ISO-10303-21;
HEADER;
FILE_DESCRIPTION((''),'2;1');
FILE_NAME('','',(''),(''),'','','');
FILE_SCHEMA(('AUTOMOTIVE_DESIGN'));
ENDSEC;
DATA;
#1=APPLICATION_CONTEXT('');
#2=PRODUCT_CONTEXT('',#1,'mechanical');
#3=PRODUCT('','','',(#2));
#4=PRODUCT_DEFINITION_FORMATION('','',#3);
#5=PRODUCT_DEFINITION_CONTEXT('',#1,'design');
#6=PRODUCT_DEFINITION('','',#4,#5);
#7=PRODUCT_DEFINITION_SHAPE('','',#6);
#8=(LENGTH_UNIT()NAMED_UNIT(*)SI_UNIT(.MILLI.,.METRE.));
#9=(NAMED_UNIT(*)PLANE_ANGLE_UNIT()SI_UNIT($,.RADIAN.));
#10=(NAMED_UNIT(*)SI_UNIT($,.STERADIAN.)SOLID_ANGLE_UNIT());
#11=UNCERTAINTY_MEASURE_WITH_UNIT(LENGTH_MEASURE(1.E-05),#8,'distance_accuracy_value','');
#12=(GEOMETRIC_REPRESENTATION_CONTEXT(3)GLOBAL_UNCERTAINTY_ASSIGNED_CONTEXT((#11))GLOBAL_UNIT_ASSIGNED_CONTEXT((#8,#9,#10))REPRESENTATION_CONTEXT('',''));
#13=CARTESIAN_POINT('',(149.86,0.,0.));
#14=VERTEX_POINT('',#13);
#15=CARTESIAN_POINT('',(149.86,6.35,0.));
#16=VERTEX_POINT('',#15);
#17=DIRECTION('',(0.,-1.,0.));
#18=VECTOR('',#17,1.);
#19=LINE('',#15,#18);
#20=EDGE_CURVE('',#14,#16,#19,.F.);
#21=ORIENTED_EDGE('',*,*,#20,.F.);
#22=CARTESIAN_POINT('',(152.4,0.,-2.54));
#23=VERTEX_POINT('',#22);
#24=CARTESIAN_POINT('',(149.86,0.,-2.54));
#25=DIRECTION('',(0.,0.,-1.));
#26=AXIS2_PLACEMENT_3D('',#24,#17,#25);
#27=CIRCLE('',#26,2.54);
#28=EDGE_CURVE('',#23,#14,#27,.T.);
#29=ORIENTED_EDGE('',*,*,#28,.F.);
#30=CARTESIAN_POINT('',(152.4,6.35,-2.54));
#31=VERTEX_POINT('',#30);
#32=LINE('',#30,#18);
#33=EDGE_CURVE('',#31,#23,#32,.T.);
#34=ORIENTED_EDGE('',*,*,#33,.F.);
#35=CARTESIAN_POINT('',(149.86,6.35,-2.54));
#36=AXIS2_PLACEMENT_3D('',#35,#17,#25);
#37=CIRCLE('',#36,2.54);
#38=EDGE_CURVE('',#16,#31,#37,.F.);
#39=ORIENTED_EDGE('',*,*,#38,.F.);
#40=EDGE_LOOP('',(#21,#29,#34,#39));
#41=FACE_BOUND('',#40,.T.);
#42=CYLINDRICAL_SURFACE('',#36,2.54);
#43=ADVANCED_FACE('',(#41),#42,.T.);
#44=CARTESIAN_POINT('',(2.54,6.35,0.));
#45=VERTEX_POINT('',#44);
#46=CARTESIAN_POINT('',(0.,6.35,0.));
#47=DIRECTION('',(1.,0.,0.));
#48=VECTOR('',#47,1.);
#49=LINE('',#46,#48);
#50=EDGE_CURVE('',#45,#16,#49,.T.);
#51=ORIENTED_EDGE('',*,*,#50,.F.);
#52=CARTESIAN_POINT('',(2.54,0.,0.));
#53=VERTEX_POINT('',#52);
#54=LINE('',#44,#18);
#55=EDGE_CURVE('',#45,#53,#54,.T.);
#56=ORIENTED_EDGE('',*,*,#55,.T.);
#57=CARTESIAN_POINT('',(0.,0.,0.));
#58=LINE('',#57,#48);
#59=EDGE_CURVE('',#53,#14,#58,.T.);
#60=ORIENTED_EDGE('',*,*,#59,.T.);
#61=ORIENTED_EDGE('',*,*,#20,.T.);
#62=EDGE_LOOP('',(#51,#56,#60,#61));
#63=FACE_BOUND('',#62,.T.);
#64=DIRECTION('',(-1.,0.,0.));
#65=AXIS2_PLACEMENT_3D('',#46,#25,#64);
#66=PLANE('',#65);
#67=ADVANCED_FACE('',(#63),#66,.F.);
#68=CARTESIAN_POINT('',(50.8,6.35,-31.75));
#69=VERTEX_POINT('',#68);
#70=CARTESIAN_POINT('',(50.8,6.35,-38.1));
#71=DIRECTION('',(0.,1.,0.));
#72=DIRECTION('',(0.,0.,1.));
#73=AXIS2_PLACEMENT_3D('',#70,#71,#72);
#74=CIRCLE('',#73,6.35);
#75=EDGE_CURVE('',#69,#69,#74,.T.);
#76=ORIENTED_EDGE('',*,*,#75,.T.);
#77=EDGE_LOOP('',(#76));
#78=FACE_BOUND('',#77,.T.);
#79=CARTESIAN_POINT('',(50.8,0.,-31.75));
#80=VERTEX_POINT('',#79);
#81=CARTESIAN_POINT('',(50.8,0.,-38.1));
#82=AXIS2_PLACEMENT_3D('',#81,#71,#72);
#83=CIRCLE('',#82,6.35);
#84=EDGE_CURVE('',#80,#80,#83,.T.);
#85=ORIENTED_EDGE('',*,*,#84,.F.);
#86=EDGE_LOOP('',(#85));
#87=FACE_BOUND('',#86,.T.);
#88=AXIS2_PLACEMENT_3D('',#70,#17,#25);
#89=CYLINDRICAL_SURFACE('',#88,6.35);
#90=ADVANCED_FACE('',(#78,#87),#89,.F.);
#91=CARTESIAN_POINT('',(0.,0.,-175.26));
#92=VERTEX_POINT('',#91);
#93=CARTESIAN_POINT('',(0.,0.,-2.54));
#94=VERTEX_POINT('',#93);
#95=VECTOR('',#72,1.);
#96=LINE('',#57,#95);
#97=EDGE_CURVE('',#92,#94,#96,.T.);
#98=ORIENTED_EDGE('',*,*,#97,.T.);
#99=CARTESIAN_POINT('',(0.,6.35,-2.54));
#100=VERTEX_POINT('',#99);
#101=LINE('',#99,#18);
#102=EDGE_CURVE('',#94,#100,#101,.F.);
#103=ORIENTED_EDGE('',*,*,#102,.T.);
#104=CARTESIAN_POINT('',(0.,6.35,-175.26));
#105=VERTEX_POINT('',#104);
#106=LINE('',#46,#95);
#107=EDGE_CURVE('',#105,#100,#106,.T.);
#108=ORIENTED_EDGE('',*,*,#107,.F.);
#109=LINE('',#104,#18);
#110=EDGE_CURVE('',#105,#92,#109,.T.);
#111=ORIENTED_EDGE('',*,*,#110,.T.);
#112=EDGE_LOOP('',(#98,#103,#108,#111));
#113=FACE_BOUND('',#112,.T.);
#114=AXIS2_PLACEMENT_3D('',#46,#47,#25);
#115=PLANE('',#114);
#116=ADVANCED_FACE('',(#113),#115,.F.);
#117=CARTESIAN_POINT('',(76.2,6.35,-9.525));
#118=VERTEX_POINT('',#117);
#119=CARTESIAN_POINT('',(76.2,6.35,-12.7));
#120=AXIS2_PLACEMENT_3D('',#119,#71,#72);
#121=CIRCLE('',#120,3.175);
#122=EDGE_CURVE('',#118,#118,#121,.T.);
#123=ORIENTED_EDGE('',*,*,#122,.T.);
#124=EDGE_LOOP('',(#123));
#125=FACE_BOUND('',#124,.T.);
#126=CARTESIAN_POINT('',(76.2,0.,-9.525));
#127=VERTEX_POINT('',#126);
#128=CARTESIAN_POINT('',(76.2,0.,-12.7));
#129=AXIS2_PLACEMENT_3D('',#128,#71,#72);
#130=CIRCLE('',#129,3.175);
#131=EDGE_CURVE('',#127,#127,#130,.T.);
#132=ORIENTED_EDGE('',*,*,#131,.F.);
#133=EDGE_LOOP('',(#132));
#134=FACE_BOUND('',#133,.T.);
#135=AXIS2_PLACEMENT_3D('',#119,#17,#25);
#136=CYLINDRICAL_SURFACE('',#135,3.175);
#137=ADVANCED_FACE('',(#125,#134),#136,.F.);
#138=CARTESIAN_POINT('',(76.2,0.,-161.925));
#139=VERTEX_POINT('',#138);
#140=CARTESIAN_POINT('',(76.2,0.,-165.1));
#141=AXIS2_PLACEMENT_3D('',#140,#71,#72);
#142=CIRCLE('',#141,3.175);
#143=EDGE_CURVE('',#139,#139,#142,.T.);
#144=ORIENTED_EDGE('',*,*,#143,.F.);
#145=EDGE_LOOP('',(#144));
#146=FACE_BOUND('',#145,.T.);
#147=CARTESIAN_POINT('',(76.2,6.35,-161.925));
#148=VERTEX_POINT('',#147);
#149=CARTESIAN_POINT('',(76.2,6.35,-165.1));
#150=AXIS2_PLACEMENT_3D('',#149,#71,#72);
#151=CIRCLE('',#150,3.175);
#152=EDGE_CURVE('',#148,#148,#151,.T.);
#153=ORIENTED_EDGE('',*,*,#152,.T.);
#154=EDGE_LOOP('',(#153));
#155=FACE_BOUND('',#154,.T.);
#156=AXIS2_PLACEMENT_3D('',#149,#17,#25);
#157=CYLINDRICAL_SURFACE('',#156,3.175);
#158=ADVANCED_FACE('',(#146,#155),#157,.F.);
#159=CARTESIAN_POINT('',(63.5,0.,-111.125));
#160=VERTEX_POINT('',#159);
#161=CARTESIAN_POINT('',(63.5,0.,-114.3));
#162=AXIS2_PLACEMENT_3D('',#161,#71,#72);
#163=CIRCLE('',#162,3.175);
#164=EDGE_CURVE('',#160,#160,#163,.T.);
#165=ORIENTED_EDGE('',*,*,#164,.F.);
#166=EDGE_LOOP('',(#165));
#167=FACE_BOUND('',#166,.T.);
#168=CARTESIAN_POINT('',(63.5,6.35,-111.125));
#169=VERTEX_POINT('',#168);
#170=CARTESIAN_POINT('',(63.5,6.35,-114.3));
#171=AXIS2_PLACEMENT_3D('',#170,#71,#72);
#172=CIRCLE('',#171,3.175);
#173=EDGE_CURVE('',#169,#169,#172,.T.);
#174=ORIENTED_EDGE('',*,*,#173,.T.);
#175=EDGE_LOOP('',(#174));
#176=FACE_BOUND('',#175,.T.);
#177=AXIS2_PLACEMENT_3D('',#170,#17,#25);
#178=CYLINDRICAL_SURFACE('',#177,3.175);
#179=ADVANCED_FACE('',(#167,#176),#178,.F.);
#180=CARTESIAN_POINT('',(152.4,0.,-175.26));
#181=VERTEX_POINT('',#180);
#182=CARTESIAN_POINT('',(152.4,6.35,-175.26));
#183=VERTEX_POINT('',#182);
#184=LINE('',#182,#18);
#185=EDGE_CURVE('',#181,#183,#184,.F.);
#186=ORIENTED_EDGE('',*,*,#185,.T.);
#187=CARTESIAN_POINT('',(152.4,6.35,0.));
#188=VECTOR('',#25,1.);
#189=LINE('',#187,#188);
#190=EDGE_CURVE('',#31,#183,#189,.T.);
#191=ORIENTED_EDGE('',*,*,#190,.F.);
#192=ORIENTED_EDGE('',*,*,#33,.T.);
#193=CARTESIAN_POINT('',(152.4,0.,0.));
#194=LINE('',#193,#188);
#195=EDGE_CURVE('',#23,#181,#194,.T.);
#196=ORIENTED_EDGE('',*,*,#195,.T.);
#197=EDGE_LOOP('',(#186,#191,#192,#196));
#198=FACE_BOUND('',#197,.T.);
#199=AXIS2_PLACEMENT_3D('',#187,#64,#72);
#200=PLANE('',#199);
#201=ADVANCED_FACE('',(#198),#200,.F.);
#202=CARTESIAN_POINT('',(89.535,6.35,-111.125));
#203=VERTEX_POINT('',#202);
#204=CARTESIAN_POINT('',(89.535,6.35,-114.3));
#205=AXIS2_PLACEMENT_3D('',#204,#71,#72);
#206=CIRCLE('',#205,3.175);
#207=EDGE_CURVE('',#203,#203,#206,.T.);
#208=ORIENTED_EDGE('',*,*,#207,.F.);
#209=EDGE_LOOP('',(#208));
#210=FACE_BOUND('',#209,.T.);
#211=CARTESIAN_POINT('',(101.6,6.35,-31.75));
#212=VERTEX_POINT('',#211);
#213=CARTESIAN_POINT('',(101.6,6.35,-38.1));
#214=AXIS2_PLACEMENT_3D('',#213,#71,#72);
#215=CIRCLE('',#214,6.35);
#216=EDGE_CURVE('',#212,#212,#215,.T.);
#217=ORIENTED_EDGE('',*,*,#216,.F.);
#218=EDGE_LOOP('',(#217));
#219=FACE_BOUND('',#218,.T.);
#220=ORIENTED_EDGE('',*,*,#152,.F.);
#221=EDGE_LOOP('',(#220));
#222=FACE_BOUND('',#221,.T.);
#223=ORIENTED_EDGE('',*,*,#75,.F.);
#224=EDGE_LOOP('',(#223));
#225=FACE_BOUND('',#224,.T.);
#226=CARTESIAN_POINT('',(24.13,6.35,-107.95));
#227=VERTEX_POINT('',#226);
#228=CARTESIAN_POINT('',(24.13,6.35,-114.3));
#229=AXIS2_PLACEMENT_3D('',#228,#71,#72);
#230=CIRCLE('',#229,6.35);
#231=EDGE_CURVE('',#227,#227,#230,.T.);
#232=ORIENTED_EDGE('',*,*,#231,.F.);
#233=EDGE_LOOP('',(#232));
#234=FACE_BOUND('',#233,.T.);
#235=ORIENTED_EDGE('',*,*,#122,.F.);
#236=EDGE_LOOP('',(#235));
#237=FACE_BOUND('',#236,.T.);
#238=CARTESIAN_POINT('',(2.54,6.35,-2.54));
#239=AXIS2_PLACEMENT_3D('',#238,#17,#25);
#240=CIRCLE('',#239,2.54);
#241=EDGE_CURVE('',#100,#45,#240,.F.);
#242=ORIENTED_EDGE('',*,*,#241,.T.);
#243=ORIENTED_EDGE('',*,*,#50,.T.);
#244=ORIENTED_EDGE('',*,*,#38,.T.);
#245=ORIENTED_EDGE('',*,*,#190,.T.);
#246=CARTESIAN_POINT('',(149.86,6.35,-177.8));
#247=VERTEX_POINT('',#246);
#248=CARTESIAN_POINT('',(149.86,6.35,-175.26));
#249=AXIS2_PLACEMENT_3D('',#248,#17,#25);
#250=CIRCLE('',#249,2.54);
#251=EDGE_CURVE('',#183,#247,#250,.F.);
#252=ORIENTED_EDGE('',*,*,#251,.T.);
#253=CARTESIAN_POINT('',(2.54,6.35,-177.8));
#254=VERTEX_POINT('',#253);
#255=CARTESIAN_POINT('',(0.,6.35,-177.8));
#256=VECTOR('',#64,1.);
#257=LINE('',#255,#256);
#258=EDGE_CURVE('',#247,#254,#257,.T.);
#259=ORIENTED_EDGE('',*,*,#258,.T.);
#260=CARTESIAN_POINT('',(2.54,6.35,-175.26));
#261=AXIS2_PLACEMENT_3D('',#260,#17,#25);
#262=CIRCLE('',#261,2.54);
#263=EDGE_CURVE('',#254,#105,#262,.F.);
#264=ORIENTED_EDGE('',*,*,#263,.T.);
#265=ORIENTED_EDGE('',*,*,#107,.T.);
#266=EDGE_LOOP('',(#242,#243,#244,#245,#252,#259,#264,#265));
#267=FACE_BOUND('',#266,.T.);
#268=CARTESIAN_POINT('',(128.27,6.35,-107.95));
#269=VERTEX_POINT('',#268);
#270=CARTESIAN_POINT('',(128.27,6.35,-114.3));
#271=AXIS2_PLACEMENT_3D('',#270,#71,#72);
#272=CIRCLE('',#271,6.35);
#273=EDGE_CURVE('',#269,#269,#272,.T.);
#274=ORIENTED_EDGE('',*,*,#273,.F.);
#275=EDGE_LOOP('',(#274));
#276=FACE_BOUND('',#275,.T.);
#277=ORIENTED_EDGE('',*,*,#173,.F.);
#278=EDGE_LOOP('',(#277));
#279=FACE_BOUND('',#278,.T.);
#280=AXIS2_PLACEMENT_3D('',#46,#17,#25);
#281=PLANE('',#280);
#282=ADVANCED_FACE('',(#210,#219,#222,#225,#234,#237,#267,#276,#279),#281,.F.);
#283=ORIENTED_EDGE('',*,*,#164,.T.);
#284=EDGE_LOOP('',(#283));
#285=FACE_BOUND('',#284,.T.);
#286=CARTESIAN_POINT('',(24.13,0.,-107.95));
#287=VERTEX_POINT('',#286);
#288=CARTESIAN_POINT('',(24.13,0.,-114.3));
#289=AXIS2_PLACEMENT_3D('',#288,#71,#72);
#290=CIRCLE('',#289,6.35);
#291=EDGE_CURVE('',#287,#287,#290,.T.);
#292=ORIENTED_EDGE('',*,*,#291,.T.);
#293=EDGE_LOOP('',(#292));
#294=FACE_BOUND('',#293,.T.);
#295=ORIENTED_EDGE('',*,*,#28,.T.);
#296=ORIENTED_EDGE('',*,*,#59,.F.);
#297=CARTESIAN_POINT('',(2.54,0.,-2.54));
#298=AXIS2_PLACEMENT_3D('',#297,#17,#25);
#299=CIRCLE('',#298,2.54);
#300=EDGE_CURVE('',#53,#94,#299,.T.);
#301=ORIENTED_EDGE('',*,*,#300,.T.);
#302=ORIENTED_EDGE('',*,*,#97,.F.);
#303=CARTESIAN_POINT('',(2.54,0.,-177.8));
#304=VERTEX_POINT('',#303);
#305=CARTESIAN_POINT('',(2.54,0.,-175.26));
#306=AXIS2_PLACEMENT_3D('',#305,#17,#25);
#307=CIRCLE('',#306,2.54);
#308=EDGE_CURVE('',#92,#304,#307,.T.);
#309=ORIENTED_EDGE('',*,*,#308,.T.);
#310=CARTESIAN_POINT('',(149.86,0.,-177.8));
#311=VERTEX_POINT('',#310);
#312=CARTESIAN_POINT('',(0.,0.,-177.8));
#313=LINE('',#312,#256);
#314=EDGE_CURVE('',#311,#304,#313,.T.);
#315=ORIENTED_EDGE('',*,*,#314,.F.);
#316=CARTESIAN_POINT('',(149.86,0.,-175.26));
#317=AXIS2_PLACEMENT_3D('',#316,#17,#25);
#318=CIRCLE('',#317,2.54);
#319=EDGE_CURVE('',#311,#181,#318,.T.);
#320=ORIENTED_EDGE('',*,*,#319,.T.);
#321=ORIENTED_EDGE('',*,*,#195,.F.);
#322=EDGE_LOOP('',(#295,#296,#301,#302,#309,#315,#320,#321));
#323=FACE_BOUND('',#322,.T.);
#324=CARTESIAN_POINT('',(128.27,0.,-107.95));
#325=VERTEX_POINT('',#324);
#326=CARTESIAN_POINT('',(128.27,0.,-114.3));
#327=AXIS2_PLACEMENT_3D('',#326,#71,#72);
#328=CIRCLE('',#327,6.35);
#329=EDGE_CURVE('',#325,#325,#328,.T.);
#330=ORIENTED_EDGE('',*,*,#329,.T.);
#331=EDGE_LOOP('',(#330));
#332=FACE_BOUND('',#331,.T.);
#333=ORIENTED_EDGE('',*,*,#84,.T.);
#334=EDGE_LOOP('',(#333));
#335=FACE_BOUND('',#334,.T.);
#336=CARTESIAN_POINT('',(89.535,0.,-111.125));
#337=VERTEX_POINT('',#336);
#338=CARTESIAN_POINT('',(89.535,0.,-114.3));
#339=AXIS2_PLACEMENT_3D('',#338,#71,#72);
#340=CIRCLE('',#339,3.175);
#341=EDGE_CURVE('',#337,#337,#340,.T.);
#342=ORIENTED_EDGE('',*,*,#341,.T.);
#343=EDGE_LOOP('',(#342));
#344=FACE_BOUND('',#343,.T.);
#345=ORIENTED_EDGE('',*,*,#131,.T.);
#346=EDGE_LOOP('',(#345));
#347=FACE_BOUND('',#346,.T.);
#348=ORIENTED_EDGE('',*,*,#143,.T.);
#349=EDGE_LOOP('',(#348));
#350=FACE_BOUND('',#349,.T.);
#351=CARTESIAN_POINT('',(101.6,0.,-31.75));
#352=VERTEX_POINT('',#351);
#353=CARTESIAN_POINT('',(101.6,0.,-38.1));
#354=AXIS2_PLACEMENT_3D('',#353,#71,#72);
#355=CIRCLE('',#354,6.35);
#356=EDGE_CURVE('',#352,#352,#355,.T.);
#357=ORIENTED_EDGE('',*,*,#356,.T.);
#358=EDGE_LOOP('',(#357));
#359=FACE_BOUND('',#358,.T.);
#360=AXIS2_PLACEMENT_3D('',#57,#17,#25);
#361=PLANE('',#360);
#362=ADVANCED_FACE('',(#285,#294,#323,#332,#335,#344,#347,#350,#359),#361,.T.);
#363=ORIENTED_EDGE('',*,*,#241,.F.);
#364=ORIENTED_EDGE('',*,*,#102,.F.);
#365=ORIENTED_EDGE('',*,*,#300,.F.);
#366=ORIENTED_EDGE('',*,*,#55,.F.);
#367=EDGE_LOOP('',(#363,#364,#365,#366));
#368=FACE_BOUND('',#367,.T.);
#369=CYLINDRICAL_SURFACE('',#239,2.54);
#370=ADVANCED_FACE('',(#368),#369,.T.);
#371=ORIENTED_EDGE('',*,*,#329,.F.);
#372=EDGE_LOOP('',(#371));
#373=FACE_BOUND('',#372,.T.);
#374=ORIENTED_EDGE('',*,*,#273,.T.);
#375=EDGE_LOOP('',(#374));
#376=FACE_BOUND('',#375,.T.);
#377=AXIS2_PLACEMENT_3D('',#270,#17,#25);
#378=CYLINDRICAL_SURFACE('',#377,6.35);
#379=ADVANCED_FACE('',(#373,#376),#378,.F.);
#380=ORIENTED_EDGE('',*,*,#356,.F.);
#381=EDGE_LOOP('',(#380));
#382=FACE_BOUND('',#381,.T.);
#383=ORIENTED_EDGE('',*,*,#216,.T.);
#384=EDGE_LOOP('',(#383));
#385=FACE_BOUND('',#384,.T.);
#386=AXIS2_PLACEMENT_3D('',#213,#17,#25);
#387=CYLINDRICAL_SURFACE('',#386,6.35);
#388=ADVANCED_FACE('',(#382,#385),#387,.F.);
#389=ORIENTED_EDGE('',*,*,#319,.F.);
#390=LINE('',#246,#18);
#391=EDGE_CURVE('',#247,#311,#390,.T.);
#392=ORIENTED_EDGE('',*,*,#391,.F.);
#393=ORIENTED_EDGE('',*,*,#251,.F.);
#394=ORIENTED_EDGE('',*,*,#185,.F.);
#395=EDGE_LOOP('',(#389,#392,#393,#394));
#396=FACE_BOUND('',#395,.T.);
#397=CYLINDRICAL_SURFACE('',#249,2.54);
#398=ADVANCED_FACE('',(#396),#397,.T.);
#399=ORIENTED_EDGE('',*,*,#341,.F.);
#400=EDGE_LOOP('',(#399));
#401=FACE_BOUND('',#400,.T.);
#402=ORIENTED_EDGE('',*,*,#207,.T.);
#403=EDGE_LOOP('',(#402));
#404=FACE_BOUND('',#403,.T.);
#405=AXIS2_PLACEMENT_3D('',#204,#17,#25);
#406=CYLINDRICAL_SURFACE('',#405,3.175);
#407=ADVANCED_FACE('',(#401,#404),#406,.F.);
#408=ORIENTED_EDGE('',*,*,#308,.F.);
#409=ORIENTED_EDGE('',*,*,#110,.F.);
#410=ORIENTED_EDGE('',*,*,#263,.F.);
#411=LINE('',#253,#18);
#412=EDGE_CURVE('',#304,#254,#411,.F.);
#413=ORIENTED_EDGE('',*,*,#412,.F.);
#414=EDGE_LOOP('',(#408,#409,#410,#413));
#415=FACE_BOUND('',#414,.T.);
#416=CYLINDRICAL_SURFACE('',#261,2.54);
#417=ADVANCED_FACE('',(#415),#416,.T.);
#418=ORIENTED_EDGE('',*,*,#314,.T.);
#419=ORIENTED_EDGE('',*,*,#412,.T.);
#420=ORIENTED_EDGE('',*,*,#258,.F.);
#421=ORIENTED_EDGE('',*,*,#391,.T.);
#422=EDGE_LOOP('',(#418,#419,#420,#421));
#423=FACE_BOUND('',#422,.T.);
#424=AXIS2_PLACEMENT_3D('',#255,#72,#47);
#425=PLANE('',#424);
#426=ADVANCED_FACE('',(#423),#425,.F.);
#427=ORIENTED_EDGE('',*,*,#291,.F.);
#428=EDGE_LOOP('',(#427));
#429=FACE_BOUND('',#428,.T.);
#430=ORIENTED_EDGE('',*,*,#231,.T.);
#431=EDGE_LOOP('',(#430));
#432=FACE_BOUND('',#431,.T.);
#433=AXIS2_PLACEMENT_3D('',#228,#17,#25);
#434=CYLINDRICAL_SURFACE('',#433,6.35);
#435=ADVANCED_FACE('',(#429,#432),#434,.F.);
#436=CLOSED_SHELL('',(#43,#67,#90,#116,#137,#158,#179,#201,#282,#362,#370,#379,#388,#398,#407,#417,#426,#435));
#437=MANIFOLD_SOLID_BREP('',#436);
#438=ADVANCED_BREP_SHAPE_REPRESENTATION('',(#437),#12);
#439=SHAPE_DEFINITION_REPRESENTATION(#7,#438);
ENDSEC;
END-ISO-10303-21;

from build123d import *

# Parameters (mm, degrees)
SKETCH1_W           = 152.4
SKETCH1_H           = 177.8
SKETCH1_R           = 6.35
SKETCH1_R_2         = 3.175
BOSS_EXTRUDE1_DEPTH = 6.35
FILLET1_R           = 2.54


with BuildPart() as part:
    # Sketch1 → Boss-Extrude1 (new body)
    with BuildSketch(Plane(origin=(0, 0, 0), x_dir=(1, 0, 0), z_dir=(0, 1, 0))):
        with Locations((76.2, 88.9)):
            Rectangle(SKETCH1_W, SKETCH1_H)
        with Locations((24.13, 114.3)):
            Circle(SKETCH1_R, mode=Mode.SUBTRACT)
        with Locations((128.27, 114.3)):
            Circle(SKETCH1_R, mode=Mode.SUBTRACT)
        with Locations((50.8, 38.1)):
            Circle(SKETCH1_R, mode=Mode.SUBTRACT)
        with Locations((101.6, 38.1)):
            Circle(SKETCH1_R, mode=Mode.SUBTRACT)
        with Locations((76.2, 165.1)):
            Circle(SKETCH1_R_2, mode=Mode.SUBTRACT)
        with Locations((76.2, 12.7)):
            Circle(SKETCH1_R_2, mode=Mode.SUBTRACT)
        with Locations((63.5, 114.3)):
            Circle(SKETCH1_R_2, mode=Mode.SUBTRACT)
        with Locations((89.535, 114.3)):
            Circle(SKETCH1_R_2, mode=Mode.SUBTRACT)
    extrude(amount=BOSS_EXTRUDE1_DEPTH)

    # Fillet1
    fillet1_edges = [part.edges().sort_by_distance(p)[0] for p in [
        (0, 3.175, -177.8),
        (152.4, 3.175, -177.8),
        (152.4, 3.175, 0),
        (0, 3.175, 0),
    ]]
    fillet(fillet1_edges, radius=FILLET1_R)


solid = part.part
